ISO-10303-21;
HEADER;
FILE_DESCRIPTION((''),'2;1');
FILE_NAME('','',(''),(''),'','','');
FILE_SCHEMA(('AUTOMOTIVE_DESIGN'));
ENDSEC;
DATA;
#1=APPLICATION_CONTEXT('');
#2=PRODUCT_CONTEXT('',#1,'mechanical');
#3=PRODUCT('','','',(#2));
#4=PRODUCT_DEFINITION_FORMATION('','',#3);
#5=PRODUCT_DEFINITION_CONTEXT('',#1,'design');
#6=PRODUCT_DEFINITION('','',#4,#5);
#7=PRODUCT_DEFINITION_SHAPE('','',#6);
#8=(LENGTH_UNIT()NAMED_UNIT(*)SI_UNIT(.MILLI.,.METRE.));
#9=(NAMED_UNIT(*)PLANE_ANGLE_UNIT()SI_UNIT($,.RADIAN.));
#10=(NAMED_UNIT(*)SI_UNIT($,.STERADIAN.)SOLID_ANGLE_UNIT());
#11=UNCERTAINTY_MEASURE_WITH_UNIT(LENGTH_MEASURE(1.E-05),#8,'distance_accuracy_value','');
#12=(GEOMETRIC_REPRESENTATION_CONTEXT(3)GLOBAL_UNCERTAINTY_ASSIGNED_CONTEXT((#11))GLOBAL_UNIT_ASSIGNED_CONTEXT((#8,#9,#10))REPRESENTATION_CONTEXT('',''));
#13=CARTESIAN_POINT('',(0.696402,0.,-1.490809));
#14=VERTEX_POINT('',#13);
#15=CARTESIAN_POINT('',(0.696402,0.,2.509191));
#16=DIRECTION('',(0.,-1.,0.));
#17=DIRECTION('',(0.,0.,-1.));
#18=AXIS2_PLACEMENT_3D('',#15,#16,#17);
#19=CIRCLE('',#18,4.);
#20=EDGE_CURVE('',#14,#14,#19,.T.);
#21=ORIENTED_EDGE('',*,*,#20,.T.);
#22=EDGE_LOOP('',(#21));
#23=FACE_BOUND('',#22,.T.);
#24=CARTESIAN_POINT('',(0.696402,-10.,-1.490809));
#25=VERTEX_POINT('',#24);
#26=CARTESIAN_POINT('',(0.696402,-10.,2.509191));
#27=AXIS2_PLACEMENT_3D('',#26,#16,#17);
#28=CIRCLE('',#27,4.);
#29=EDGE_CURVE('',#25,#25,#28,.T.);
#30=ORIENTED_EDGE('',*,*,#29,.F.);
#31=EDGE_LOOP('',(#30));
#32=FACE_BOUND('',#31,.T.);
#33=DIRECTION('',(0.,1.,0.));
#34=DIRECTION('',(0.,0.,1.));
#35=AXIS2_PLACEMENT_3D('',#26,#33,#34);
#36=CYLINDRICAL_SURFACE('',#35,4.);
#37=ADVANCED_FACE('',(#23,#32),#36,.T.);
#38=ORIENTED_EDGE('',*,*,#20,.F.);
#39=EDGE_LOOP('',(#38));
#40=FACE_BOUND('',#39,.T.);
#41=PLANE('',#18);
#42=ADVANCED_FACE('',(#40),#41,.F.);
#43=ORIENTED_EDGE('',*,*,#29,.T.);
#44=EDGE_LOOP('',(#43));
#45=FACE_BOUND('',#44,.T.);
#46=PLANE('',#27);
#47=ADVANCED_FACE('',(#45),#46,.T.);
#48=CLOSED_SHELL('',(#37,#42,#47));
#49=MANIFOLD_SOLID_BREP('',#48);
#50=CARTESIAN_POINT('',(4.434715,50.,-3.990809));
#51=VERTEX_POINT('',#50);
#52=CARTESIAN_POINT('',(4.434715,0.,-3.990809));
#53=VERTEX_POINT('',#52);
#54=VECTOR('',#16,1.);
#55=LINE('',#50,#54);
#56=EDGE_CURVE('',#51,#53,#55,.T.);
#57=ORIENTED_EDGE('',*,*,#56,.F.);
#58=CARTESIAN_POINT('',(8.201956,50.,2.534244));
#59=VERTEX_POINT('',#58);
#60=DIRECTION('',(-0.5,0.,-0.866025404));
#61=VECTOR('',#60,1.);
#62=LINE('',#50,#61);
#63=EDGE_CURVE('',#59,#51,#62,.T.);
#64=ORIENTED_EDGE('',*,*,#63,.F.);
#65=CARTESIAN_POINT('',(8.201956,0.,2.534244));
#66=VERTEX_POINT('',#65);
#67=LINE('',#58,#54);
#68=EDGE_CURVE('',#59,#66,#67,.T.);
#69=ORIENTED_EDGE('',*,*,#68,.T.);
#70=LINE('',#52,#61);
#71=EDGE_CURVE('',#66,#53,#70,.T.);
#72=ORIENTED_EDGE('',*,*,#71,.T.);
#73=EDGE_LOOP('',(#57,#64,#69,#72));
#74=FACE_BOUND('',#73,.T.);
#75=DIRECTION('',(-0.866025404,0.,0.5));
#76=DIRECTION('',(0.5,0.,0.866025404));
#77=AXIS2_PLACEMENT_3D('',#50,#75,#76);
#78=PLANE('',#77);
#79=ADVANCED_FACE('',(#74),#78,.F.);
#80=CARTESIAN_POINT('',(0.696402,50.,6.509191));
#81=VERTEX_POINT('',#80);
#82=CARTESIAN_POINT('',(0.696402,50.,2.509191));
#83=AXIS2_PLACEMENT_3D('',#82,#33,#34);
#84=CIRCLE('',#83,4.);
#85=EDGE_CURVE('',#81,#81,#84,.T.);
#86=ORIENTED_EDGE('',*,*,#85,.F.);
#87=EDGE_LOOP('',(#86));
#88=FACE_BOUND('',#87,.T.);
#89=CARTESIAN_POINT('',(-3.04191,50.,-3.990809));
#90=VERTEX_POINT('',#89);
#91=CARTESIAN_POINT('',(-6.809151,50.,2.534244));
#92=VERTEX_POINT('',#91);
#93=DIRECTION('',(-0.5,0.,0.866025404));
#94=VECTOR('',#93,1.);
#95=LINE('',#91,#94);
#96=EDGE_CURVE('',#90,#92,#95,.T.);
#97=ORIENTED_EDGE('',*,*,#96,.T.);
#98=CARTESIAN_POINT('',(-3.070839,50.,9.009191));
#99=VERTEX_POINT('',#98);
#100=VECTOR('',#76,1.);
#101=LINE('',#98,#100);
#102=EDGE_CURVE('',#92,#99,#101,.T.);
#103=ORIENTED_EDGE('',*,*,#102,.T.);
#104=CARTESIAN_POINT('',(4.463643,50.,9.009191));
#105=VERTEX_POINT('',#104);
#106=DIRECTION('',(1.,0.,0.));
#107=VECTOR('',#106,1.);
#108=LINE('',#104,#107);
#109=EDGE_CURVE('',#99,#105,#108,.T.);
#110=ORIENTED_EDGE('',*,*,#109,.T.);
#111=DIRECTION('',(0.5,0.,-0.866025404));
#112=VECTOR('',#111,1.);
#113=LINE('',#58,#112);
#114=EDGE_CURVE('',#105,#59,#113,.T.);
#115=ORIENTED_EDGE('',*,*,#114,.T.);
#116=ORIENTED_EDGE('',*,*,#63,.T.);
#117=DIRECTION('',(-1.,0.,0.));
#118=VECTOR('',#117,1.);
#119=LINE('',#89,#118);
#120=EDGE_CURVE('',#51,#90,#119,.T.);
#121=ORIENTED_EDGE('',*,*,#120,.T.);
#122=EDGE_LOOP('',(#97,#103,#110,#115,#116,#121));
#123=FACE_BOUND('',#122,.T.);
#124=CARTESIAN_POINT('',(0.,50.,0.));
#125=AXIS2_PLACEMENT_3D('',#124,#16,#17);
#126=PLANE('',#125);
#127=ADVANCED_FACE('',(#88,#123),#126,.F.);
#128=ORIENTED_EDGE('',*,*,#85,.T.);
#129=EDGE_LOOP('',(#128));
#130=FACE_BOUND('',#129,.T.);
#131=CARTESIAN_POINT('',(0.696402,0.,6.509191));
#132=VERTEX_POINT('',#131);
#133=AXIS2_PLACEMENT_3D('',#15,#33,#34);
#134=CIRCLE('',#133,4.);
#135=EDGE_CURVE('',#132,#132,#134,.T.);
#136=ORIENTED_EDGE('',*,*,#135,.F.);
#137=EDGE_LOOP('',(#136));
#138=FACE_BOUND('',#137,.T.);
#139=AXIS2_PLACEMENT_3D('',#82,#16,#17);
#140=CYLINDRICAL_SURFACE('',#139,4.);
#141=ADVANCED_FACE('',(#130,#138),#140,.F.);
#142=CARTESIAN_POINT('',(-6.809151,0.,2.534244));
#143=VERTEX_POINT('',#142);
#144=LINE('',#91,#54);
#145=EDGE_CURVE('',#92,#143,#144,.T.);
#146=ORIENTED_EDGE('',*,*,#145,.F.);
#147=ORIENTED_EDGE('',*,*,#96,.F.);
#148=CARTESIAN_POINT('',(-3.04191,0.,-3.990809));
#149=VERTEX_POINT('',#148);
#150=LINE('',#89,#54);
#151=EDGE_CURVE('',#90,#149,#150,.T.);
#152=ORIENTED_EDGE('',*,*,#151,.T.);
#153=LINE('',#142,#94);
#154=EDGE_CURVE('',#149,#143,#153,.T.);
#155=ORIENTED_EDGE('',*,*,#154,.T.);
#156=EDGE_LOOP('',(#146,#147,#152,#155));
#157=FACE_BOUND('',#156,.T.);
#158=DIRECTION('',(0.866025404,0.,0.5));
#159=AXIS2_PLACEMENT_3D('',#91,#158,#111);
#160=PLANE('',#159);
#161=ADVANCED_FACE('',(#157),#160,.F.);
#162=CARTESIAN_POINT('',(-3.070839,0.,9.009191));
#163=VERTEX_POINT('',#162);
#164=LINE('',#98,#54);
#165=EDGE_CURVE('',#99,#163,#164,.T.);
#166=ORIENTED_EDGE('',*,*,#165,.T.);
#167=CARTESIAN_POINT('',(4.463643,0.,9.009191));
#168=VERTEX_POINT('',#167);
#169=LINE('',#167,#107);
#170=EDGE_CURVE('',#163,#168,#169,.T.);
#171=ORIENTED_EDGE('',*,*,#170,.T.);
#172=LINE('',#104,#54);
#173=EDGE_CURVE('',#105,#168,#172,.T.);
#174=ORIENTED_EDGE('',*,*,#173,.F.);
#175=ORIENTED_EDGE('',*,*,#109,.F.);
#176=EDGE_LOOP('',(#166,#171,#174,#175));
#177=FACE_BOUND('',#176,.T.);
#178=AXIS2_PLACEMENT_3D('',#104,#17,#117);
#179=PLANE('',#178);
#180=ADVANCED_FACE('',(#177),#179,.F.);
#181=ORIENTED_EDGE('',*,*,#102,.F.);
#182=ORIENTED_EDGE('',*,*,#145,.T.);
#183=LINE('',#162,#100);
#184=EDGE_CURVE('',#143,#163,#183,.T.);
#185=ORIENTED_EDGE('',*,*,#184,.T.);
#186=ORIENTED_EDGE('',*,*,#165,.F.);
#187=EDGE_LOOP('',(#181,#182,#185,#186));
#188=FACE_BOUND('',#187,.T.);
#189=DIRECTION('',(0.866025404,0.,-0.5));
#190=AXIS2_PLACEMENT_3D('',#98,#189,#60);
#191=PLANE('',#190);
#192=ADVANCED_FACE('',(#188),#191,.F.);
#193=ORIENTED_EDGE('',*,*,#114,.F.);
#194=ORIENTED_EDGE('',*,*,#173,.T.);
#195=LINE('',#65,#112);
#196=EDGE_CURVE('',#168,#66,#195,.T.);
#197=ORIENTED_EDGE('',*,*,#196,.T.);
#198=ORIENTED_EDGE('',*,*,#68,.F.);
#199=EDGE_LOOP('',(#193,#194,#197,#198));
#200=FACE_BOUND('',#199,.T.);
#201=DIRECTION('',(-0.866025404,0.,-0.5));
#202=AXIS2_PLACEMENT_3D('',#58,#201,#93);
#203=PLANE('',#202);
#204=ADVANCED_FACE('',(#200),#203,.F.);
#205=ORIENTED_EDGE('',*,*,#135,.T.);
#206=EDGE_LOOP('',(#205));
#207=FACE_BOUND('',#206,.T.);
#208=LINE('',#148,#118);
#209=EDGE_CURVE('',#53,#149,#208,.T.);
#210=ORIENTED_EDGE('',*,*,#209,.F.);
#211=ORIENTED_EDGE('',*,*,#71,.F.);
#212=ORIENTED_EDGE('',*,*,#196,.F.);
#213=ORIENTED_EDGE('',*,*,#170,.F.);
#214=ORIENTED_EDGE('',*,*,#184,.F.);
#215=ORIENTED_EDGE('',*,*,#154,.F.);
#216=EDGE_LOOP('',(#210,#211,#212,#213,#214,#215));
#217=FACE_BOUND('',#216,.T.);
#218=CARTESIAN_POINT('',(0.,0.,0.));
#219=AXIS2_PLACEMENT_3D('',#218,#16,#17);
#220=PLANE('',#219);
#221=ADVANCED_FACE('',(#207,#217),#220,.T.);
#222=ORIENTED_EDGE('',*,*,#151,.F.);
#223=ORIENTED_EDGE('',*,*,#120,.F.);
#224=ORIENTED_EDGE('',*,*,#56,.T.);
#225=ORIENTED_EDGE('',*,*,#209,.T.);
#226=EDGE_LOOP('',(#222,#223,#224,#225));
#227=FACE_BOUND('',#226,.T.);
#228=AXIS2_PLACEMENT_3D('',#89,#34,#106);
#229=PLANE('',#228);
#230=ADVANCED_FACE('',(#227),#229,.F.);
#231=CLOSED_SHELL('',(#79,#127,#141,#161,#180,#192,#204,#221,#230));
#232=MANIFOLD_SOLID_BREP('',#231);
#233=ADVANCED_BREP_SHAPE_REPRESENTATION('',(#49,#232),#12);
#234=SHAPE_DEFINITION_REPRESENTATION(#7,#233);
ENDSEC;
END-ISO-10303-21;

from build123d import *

# Parameters (mm, degrees)
SKETCH_1_R      = 4
EXTRUDE_1_DEPTH = 50
SKETCH_2_R      = 4
EXTRUDE_2_DEPTH = 10


with BuildPart() as part:
    # 草图1 → 凸台-拉伸1 (new body)
    with BuildSketch(Plane(origin=(0, 0, 0), x_dir=(1, 0, 0), z_dir=(0, 1, 0))):
        Polygon((-3.041910015, 3.990808824), (4.434714707, 3.990808824), (8.201955845, -2.534244233), (4.463643484, -9.009191176), (-3.070838793, -9.009191176), (-6.809151154, -2.534244233), align=None)
        with Locations((0.696402346, -2.509191176)):
            Circle(SKETCH_1_R, mode=Mode.SUBTRACT)
    extrude(amount=EXTRUDE_1_DEPTH)


with BuildPart() as body_2:
    # 草图2 → 凸台-拉伸2 (new body)
    with BuildSketch(Plane.XZ):
        with Locations((0.696402346, 2.509191176)):
            Circle(SKETCH_2_R)
    extrude(amount=EXTRUDE_2_DEPTH)


solid = Compound([part.part, body_2.part])
